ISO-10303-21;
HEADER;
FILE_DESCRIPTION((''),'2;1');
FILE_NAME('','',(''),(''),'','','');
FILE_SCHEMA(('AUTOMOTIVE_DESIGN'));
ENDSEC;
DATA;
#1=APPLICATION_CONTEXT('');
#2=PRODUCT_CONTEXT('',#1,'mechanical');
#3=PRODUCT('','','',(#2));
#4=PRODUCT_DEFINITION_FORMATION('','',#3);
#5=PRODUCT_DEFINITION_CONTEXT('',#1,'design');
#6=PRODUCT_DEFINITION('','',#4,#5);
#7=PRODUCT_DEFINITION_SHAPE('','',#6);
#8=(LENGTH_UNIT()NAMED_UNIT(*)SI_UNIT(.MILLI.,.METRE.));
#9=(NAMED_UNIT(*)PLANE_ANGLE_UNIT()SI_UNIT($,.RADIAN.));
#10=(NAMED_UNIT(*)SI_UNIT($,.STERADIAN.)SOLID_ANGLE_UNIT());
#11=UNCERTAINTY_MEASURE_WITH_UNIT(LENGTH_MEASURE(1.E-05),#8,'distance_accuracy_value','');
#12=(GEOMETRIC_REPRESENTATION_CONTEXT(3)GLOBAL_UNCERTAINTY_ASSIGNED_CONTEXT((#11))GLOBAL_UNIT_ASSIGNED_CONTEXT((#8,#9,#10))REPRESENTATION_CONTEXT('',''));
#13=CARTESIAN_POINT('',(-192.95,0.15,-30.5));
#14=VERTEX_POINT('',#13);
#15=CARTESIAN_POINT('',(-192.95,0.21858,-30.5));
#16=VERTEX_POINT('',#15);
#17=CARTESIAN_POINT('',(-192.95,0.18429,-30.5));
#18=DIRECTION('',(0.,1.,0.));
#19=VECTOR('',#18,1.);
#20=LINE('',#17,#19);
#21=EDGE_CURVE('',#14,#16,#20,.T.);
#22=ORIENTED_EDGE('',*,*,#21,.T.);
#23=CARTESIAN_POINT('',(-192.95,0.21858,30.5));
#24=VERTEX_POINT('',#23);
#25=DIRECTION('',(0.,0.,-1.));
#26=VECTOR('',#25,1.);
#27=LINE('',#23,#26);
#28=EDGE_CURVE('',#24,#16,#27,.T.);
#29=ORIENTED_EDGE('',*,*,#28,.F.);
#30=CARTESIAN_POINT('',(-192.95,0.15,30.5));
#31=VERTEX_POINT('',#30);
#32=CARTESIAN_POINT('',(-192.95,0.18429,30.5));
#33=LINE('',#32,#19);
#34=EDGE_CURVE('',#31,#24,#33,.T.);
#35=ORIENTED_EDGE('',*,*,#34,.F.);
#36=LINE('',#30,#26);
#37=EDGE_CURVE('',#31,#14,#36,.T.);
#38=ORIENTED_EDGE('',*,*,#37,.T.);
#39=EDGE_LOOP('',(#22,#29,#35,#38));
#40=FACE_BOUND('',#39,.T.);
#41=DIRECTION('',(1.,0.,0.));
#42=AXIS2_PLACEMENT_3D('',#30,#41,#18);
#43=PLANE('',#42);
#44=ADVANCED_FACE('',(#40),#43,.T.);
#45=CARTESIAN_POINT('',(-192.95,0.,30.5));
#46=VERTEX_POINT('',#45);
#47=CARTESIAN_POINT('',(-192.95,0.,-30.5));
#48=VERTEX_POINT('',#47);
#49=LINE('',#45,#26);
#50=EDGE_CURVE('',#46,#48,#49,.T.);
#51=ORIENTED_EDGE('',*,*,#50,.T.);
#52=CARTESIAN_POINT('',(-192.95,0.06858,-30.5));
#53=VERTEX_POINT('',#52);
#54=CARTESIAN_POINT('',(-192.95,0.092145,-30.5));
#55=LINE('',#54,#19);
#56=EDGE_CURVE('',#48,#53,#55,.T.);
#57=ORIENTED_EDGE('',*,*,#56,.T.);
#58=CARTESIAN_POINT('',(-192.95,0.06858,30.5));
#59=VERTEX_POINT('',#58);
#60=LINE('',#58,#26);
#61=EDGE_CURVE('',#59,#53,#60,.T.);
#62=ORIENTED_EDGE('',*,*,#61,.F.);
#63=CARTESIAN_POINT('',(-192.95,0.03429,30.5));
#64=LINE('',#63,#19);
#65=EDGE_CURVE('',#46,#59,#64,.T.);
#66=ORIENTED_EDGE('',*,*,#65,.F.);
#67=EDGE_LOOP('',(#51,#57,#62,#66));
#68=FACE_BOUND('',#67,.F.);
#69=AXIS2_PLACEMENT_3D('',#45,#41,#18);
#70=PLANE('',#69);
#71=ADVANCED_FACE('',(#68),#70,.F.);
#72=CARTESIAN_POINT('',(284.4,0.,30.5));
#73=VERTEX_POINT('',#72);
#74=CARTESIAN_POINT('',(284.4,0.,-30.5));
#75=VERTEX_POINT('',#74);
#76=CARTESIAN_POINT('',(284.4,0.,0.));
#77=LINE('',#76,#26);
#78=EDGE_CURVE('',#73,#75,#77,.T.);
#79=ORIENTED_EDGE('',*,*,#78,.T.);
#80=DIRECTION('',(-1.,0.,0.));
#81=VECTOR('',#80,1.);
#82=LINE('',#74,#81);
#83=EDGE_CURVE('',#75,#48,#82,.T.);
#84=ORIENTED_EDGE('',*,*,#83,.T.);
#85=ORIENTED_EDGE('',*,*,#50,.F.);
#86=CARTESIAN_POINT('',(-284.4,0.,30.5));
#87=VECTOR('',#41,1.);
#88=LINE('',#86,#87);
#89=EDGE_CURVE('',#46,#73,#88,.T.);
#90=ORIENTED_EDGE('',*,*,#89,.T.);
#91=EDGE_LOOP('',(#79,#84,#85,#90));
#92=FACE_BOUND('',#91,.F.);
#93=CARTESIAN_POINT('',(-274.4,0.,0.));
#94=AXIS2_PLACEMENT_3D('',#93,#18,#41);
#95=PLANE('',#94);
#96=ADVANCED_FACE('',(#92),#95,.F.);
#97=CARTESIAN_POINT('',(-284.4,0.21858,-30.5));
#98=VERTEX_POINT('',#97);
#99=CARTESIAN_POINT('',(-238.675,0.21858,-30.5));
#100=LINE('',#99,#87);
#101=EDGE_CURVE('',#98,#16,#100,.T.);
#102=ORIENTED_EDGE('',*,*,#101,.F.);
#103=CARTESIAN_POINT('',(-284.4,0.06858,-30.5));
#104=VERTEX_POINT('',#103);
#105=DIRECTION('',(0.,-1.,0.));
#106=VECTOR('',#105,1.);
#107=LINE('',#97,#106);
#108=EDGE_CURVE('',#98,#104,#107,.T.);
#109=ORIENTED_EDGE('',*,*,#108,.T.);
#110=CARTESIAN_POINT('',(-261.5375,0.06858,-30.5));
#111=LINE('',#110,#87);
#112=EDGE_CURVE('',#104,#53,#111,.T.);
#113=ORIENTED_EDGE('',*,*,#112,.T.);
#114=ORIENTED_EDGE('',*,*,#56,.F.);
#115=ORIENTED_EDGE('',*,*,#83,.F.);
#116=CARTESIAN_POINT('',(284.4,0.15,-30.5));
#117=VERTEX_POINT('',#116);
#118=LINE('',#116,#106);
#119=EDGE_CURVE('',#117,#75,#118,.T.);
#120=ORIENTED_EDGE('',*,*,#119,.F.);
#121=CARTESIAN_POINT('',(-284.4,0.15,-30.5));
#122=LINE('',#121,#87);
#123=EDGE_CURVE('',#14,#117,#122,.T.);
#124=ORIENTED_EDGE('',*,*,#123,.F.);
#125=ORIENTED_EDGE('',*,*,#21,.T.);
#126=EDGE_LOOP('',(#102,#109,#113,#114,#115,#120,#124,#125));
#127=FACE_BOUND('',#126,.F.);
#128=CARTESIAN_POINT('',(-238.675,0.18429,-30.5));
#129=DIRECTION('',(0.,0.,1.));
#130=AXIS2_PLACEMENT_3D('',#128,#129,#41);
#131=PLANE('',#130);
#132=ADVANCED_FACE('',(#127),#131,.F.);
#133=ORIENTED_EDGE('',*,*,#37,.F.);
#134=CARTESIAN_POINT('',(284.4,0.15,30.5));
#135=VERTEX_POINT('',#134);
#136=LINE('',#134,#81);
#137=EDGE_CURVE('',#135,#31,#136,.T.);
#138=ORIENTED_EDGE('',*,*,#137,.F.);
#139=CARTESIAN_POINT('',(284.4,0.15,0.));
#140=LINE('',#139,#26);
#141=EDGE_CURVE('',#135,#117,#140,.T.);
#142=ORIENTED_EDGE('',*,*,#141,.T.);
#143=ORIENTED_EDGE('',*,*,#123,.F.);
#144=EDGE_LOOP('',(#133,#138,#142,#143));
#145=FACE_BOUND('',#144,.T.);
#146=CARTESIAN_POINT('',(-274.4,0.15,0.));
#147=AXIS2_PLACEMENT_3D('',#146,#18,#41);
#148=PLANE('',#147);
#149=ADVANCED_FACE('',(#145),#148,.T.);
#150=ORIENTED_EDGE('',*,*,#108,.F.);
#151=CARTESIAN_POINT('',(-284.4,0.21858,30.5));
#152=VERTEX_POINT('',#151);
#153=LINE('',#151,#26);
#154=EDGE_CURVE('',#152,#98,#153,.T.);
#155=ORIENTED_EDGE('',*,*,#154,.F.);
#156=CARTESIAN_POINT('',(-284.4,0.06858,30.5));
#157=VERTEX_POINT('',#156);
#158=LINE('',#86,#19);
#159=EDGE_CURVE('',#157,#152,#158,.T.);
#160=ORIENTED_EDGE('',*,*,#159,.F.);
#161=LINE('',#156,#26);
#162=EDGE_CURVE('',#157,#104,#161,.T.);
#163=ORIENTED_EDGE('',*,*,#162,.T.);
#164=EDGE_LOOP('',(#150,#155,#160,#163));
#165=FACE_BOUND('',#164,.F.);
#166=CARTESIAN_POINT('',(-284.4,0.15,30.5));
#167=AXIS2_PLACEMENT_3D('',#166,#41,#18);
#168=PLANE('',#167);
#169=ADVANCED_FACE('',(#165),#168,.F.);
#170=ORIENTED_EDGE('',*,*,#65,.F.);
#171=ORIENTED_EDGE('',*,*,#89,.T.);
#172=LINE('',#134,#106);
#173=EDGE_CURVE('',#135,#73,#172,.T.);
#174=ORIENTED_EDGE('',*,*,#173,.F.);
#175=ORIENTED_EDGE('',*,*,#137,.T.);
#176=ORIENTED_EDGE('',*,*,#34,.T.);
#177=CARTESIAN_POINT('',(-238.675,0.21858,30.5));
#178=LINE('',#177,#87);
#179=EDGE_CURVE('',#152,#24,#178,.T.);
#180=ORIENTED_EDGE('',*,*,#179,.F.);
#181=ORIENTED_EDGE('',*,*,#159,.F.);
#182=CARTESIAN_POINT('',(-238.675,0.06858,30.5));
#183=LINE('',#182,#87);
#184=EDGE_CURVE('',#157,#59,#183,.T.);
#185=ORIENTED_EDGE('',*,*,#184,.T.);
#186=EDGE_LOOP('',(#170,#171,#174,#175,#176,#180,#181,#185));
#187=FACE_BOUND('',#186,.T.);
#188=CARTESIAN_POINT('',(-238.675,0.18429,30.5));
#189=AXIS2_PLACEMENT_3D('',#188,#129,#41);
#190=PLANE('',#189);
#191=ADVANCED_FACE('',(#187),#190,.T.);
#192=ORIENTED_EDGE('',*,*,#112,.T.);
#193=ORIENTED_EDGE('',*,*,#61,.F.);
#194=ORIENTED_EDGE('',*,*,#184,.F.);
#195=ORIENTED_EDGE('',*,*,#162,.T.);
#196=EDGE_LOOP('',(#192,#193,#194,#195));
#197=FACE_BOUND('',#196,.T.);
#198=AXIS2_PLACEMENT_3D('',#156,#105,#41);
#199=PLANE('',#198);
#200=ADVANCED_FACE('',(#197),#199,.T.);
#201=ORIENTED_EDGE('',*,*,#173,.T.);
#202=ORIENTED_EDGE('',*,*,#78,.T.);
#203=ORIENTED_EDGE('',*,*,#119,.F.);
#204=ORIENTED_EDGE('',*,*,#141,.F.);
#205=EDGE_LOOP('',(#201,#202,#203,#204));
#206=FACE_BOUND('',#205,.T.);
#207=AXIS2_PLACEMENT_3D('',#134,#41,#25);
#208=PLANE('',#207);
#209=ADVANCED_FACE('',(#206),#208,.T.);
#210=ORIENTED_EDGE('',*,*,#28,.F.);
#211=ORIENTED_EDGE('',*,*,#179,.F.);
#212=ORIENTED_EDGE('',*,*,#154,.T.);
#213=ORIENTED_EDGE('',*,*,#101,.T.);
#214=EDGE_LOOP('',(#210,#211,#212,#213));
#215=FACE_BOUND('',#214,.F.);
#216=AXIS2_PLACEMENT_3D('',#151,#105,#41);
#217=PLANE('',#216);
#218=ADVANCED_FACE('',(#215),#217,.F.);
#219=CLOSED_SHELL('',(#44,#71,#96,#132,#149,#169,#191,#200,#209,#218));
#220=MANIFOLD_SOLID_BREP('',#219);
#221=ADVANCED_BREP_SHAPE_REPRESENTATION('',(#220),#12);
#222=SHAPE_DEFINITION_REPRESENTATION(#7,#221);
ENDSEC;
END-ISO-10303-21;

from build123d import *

# Parameters (mm, degrees)
SKETCH1_W           = 528.8
SKETCH1_H           = 61
EXTRUDE1_DEPTH      = 0.15
SKETCH3_W           = 20
SKETCH3_H           = 61
BOSS_EXTRUDE2_DEPTH = 0.15
SKETCH5_W           = 91.45
SKETCH5_H           = 0.06858
BOSS_EXTRUDE4_DEPTH = 61
SKETCH6_W           = 91.45
SKETCH6_H           = 0.06858
CUT_EXTRUDE1_DEPTH  = 62


with BuildPart() as part:
    # Sketch1 → Extrude1 (new body)
    with BuildSketch(Plane(origin=(0, 0, 0), x_dir=(1, 0, 0), z_dir=(0, 1, 0))):
        Rectangle(SKETCH1_W, SKETCH1_H)
    extrude(amount=EXTRUDE1_DEPTH)

    # Sketch3 → Boss-Extrude2 (add)
    with BuildSketch(Plane(origin=(0, 0.15, 0), x_dir=(1, 0, 0), z_dir=(0, 1, 0))):
        with Locations((-274.4, 0)):
            Rectangle(SKETCH3_W, SKETCH3_H)
        with Locations((274.4, 0)):
            Rectangle(SKETCH3_W, SKETCH3_H)
    extrude(amount=-BOSS_EXTRUDE2_DEPTH)

    # Sketch5 → Boss-Extrude4 (add)
    with BuildSketch(Plane.XY.offset(30.5)):
        with Locations((-238.675, 0.18429)):
            Rectangle(SKETCH5_W, SKETCH5_H)
    extrude(amount=-BOSS_EXTRUDE4_DEPTH)

    # Sketch6 → Cut-Extrude1 (cut, through all)
    with BuildSketch(Plane.XY.offset(30.5)):
        with Locations((-238.675, 0.03429)):
            Rectangle(SKETCH6_W, SKETCH6_H)
    extrude(amount=-CUT_EXTRUDE1_DEPTH, mode=Mode.SUBTRACT)


solid = part.part
